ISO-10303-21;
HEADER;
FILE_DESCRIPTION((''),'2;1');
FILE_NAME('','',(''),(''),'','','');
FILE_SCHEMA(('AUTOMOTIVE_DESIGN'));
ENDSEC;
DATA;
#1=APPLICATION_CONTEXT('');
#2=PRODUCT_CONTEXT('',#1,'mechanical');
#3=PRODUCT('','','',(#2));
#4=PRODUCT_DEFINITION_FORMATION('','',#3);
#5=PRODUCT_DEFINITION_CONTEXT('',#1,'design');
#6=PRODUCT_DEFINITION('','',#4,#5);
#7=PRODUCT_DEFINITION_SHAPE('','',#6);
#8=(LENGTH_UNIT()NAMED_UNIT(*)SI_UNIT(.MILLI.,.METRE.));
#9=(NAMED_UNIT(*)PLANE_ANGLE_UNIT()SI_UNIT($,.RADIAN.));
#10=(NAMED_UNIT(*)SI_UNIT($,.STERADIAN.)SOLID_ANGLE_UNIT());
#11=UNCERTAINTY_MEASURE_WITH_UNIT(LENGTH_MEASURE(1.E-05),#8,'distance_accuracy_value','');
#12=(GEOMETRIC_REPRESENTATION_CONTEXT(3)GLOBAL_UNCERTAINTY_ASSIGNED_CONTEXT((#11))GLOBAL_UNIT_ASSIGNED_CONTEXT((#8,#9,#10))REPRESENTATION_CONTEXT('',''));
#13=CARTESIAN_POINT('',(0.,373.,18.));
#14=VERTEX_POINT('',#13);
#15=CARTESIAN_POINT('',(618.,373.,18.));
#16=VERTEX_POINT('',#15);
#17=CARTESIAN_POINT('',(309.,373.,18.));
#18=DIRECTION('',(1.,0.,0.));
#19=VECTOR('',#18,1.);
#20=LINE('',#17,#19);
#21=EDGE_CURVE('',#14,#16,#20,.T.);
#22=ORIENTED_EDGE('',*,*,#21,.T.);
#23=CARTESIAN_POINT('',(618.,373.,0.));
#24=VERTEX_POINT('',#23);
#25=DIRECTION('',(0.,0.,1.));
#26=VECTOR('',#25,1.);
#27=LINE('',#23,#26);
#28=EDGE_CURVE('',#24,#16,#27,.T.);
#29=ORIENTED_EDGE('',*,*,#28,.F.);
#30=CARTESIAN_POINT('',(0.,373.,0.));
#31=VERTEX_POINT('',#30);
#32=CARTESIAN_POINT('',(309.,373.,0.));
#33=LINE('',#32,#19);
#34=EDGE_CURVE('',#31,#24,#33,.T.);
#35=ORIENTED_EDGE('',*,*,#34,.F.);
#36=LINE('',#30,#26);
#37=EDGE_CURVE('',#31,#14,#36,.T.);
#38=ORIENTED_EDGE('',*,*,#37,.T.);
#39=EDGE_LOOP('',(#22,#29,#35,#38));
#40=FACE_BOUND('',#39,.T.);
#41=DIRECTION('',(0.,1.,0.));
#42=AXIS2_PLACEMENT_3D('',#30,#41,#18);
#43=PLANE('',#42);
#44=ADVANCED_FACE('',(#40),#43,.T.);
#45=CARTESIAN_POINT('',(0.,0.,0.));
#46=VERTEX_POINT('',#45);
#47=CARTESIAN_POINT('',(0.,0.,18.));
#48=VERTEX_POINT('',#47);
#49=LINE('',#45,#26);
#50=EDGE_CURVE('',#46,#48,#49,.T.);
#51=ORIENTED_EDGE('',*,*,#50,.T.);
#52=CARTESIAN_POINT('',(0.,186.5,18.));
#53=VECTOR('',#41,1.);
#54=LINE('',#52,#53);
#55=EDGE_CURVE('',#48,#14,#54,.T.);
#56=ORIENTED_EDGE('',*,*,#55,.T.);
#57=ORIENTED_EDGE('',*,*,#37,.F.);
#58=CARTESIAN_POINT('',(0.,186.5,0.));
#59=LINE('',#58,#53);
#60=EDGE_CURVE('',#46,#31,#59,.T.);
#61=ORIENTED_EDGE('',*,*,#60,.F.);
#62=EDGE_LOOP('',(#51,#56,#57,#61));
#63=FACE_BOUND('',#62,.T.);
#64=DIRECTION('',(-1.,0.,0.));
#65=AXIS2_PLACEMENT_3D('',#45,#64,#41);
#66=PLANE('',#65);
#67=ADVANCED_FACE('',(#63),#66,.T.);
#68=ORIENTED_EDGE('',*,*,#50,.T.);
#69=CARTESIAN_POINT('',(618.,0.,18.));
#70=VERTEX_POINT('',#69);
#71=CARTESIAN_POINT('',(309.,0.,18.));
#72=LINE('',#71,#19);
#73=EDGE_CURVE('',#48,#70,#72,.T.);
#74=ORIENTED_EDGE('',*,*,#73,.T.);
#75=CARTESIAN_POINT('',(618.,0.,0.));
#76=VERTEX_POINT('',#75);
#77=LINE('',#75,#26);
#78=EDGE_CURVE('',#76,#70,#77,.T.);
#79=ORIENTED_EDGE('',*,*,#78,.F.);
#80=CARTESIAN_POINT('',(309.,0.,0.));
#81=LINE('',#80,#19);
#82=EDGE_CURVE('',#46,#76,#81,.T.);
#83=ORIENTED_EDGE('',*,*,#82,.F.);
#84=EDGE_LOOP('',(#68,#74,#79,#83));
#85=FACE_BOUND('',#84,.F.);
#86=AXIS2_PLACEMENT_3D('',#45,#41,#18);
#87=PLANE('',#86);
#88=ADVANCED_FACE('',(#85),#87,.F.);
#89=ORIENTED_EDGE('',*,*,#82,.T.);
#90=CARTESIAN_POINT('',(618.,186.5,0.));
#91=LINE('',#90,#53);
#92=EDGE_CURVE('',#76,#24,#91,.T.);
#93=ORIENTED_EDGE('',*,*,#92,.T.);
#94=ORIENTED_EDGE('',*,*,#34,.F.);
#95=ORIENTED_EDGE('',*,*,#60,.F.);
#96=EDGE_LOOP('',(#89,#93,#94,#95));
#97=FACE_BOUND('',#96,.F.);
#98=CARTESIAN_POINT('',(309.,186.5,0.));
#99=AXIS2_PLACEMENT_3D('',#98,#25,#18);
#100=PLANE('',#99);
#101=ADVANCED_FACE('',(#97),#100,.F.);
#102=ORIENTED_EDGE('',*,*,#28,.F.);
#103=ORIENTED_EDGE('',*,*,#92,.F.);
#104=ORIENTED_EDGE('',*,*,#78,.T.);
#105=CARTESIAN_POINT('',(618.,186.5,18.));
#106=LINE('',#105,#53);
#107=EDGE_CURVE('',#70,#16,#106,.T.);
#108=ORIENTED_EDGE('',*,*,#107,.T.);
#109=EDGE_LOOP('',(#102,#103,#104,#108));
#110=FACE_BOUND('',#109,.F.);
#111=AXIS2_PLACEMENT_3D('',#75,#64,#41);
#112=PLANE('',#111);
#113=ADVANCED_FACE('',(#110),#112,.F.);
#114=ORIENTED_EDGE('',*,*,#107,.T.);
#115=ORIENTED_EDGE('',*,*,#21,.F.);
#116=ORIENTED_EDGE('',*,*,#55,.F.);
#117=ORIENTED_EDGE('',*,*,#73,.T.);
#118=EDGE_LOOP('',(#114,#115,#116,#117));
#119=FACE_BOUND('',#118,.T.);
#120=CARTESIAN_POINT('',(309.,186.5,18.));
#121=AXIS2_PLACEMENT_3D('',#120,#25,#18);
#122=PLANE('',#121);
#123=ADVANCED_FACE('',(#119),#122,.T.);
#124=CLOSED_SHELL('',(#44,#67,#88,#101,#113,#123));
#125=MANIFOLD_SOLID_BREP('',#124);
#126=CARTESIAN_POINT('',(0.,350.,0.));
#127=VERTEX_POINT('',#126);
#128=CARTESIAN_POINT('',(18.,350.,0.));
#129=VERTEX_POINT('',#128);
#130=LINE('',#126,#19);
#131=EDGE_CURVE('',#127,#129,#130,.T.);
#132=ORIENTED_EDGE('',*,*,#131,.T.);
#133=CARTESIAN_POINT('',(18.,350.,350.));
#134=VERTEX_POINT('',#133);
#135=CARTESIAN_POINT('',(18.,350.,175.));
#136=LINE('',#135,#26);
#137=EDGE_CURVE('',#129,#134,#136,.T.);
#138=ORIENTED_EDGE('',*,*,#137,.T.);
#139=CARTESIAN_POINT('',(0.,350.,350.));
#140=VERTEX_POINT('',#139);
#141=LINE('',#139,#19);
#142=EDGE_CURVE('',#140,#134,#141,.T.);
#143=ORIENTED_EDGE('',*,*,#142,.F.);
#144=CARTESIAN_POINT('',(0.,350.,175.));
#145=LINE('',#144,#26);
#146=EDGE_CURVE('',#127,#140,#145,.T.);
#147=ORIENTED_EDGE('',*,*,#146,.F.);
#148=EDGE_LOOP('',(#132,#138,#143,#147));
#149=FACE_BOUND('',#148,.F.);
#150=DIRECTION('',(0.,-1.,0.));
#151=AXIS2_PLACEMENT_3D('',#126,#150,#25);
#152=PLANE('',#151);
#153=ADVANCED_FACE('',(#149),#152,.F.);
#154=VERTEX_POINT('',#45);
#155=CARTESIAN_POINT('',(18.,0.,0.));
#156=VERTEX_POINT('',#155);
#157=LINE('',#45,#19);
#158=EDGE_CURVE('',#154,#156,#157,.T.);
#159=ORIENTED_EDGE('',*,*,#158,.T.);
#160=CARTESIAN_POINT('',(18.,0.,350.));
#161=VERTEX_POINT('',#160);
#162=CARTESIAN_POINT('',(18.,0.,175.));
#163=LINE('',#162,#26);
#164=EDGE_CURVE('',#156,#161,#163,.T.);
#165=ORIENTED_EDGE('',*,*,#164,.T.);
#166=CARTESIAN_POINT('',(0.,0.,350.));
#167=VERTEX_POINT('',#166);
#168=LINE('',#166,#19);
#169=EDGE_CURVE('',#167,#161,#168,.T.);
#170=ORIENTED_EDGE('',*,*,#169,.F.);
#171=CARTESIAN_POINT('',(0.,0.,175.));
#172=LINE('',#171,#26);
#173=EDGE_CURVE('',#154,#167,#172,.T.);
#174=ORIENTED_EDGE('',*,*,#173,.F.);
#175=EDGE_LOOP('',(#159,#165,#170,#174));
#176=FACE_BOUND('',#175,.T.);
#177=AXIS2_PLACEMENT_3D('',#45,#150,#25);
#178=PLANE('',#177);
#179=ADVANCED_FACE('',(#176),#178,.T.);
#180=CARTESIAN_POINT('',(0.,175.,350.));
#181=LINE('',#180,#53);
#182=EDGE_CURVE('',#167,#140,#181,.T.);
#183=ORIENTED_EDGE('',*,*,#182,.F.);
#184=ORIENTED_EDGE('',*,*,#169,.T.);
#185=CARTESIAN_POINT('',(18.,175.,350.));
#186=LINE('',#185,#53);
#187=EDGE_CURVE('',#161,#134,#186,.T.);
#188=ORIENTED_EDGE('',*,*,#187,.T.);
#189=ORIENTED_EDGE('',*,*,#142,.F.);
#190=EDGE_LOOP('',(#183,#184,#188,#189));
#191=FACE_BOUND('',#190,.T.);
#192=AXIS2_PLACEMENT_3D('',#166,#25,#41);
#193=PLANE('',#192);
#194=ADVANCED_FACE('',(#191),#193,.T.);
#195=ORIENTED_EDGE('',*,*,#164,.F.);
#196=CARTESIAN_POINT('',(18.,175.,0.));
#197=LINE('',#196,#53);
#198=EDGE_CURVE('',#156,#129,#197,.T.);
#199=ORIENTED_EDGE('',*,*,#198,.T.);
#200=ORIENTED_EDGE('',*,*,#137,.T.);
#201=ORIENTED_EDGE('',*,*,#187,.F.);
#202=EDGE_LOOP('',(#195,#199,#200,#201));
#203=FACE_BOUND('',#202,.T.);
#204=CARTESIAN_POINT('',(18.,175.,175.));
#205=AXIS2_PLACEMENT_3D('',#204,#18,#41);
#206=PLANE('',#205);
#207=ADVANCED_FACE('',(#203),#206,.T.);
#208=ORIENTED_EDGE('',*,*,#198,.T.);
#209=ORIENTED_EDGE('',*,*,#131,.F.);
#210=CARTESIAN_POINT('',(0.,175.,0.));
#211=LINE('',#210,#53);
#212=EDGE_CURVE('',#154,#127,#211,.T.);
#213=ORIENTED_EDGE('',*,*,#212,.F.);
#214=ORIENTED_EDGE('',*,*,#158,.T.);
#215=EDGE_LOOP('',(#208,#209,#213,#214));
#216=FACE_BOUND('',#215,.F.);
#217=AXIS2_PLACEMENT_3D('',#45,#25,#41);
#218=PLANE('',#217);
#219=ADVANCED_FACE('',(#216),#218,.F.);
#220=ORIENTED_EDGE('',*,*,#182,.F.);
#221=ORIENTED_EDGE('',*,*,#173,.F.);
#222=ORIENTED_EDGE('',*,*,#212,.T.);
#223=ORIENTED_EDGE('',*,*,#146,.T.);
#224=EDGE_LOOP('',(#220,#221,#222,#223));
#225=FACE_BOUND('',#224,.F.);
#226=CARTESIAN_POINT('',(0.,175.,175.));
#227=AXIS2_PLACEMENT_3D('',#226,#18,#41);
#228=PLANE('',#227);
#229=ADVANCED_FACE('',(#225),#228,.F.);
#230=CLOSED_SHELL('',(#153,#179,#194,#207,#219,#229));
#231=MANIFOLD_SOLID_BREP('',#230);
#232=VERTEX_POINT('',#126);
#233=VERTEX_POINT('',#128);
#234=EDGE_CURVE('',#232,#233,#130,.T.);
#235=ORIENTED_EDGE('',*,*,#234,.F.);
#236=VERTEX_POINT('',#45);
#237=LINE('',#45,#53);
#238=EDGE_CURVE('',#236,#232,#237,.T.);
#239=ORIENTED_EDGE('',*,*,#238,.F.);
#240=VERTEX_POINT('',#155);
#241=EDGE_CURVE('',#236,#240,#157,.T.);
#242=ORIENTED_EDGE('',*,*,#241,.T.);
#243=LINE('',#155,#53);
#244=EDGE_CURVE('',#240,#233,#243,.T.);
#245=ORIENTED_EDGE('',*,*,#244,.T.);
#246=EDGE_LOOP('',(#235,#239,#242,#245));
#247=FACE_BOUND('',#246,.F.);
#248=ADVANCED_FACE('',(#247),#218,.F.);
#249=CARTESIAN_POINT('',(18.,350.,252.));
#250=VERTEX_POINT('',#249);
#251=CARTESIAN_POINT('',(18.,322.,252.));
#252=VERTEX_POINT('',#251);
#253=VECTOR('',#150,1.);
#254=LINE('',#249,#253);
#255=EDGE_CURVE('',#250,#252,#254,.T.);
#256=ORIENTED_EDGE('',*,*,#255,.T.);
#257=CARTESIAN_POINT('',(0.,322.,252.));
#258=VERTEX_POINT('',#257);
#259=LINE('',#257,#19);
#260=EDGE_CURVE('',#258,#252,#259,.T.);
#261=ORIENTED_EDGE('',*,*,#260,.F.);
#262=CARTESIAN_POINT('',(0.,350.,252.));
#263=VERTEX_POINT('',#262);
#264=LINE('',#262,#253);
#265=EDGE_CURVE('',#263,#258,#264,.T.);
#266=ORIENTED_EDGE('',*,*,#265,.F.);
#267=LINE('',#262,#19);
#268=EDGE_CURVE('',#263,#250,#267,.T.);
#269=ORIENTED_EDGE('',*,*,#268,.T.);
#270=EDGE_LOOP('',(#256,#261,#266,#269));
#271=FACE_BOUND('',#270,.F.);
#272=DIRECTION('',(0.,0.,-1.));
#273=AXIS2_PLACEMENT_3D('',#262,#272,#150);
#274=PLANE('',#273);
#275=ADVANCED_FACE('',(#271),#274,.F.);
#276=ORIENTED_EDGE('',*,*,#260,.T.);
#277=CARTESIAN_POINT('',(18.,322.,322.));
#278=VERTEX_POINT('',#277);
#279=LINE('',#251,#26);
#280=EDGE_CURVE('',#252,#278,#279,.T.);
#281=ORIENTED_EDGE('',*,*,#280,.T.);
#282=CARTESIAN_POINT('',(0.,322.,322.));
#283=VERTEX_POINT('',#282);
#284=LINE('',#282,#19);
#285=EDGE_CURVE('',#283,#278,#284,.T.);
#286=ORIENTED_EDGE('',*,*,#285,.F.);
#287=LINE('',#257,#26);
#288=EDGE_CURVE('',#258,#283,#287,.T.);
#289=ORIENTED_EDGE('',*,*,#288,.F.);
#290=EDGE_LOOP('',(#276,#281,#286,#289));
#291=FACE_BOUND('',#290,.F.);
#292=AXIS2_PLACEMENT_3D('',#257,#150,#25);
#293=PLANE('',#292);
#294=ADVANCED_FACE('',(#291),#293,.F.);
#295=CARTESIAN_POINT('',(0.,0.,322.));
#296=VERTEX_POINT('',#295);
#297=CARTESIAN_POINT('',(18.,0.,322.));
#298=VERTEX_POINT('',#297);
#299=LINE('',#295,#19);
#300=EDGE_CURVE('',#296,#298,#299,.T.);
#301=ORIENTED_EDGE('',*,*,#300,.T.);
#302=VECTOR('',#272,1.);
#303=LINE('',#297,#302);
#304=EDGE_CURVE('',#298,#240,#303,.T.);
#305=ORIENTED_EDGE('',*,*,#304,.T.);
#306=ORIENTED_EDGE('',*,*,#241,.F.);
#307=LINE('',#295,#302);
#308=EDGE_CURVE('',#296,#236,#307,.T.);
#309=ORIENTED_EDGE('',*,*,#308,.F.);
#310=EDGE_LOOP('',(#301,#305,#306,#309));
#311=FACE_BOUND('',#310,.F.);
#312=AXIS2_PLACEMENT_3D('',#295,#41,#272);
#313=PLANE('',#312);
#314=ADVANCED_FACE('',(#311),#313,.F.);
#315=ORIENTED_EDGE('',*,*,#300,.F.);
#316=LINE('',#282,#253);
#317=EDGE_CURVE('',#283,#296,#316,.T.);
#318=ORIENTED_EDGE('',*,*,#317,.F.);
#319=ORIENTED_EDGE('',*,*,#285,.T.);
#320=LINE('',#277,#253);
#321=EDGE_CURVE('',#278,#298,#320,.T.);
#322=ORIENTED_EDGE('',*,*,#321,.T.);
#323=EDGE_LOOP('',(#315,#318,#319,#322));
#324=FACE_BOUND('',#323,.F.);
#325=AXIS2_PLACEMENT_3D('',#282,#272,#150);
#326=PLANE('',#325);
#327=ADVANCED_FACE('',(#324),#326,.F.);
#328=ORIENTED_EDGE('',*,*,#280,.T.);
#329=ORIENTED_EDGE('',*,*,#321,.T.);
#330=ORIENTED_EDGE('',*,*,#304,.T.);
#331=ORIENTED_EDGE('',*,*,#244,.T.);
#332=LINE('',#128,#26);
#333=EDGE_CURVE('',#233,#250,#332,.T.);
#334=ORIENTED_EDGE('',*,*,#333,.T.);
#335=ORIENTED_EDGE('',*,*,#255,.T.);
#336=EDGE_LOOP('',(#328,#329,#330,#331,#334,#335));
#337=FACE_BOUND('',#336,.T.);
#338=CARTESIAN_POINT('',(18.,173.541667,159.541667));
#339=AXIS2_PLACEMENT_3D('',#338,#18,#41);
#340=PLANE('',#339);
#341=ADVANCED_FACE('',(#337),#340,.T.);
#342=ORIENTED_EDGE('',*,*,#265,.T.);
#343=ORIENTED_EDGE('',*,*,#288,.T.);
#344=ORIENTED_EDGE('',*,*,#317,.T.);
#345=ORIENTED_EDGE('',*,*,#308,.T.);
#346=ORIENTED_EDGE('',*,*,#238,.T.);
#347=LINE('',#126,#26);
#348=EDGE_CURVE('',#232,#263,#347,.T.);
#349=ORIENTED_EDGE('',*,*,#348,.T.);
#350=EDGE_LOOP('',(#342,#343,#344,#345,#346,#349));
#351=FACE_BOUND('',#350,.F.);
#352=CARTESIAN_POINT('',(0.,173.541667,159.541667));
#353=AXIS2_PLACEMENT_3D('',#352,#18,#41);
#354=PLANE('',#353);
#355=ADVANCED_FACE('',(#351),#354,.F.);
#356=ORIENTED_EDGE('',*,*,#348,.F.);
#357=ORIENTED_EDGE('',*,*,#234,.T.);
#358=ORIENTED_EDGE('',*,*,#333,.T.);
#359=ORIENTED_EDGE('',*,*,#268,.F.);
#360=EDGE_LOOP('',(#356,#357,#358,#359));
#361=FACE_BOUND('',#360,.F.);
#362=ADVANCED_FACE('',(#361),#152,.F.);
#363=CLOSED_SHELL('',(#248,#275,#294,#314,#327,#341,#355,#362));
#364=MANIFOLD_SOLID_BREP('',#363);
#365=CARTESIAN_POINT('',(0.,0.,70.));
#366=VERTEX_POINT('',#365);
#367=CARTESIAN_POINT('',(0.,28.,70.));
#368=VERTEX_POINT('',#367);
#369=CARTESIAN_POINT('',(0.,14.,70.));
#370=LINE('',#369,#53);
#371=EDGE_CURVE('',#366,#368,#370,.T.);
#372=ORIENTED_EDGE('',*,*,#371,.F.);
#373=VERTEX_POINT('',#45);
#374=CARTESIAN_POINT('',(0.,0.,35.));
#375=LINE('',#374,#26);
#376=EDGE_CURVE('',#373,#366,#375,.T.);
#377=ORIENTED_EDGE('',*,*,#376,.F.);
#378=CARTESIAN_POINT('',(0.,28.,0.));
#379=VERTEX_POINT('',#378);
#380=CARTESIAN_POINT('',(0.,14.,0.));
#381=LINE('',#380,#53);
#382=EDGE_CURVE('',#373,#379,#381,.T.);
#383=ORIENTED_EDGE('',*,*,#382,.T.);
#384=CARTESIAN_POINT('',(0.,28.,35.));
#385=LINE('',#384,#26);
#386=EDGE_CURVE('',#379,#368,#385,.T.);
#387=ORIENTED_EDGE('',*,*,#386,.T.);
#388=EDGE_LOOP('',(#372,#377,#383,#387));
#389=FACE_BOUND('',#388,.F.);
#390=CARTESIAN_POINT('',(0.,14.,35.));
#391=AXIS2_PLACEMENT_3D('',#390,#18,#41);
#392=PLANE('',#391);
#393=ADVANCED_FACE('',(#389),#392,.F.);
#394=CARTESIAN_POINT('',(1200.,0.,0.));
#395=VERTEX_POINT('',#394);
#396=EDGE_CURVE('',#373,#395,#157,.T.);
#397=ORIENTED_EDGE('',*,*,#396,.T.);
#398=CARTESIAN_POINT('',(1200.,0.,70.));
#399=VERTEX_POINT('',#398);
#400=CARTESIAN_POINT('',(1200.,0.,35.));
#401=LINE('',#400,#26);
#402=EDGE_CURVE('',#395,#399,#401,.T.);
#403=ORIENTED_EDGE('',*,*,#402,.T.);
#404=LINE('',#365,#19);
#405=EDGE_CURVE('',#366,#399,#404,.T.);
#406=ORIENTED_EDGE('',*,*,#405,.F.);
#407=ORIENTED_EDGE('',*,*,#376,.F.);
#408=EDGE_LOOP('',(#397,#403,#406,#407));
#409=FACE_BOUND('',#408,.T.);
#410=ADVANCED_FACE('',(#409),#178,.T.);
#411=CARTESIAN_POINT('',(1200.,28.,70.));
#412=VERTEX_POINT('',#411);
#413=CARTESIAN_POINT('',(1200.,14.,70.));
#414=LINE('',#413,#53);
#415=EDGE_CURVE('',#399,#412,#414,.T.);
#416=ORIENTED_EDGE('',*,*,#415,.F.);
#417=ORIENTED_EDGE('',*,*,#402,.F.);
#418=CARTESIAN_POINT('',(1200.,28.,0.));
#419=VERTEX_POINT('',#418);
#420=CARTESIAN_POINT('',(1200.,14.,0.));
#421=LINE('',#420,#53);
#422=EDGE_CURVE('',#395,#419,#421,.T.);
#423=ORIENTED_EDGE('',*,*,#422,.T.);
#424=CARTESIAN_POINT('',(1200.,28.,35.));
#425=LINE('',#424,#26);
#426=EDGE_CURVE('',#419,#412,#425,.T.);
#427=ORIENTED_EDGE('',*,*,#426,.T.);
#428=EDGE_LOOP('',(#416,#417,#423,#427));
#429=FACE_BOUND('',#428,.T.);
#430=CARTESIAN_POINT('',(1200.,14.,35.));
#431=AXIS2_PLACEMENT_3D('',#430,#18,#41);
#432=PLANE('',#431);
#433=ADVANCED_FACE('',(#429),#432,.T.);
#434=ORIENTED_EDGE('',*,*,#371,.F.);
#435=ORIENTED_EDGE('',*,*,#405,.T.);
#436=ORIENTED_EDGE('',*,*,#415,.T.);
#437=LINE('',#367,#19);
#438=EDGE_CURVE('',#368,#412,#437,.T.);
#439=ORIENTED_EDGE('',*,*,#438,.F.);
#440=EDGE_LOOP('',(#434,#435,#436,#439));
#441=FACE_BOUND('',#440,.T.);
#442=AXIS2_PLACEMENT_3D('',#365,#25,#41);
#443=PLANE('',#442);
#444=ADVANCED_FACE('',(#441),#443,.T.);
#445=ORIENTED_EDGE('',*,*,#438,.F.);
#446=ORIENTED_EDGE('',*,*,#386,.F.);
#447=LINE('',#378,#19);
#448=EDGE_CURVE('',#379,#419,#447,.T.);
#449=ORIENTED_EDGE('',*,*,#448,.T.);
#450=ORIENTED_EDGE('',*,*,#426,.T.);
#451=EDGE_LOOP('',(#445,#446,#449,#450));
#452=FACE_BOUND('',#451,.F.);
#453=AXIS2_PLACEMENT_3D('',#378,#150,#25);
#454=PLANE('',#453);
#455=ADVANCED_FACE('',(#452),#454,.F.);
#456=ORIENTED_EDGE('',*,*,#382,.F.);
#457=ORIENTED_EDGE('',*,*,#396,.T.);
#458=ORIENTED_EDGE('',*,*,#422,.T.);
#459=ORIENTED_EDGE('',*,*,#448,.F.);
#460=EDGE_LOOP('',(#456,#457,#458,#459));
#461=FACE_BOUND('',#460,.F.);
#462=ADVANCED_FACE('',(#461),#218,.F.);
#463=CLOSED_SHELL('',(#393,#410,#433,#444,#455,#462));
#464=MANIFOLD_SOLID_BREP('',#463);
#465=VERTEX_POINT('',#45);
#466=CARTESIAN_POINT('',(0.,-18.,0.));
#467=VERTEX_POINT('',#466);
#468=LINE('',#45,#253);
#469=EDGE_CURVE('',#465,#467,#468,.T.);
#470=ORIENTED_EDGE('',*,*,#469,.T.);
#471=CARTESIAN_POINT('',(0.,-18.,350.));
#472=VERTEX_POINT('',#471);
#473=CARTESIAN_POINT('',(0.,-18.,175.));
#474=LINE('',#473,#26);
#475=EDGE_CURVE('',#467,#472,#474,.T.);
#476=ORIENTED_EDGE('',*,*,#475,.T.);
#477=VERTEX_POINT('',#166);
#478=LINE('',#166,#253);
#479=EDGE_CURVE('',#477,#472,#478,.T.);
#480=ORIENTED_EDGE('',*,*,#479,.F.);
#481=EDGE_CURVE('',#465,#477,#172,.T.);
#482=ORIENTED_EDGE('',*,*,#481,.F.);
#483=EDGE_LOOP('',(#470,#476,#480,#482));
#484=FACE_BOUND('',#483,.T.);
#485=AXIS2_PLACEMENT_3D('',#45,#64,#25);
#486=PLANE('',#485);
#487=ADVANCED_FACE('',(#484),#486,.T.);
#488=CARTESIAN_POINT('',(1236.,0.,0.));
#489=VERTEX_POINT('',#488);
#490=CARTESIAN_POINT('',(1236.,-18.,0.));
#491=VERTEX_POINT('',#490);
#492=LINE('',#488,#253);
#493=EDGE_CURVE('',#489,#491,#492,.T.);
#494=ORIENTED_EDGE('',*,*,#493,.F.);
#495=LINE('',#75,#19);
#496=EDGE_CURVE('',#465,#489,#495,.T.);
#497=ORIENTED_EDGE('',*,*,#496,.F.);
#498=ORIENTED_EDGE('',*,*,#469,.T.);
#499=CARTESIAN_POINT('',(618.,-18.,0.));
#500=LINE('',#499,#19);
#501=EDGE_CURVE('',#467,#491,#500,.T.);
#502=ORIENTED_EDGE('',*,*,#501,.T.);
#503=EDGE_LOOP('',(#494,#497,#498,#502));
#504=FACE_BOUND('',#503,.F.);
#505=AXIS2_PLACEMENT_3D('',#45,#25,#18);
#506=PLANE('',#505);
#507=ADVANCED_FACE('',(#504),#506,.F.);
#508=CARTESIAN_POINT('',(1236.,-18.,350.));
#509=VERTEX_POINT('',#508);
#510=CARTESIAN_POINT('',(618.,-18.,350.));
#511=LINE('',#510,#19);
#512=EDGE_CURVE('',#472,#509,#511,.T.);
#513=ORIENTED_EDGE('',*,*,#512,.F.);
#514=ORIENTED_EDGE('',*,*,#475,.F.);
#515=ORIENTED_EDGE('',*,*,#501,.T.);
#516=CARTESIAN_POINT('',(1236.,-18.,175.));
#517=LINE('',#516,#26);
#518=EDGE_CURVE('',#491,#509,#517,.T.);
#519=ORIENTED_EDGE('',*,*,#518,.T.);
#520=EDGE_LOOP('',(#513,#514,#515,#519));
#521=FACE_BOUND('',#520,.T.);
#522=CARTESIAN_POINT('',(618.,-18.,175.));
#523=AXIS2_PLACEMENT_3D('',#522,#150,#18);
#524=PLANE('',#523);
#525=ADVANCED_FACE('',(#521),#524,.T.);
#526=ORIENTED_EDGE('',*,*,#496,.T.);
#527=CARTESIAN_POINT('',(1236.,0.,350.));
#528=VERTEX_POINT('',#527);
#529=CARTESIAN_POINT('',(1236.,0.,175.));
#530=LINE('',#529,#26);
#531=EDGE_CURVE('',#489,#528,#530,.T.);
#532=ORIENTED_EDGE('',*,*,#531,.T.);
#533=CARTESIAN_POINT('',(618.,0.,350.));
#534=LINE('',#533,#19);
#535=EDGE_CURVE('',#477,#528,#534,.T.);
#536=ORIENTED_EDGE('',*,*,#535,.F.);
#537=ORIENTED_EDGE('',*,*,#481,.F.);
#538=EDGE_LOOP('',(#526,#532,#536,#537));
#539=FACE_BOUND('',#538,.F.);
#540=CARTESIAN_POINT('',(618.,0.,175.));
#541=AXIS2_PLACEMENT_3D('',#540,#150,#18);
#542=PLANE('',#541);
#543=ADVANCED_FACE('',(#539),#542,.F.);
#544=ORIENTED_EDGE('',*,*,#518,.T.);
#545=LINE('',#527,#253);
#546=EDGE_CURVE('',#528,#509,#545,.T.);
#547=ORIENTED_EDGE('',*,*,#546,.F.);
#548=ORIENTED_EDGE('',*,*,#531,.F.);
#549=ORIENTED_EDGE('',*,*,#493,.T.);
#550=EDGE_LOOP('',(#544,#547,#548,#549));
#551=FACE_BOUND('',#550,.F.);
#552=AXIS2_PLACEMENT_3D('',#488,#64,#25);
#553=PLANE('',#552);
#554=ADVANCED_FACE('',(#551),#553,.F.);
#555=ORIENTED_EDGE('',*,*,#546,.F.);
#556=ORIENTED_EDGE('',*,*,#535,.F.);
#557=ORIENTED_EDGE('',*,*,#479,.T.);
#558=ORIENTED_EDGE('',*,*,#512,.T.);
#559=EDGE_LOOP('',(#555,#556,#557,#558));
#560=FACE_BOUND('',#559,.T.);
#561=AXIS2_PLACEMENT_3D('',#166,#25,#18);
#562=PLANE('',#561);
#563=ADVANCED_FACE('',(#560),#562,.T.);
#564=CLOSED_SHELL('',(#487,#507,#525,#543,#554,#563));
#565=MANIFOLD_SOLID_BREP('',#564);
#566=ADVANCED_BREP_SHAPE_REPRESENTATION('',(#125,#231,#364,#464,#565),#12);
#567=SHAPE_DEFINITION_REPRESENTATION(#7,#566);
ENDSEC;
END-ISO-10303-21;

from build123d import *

# Parameters (mm, degrees)
F1_W      = 350
F1_H      = 350
F2_DEPTH  = 18
F3_W      = 28
F3_H      = 70
F4_DEPTH  = 1200
F6_DEPTH  = 18
F7_W      = 1236
F7_H      = 350
F8_DEPTH  = 18
F9_W      = 618
F9_H      = 373
F10_DEPTH = 18


with BuildPart() as f2:
    # F1 (on Right) → F2 (new body)
    with BuildSketch(Plane.YZ):
        with Locations((175, 175)):
            Rectangle(F1_W, F1_H)
    extrude(amount=F2_DEPTH)


with BuildPart() as f4:
    # F3 (on Right) → F4 (new body)
    with BuildSketch(Plane.YZ):
        with Locations((14, 35)):
            Rectangle(F3_W, F3_H)
    extrude(amount=F4_DEPTH)


with BuildPart() as f6:
    # F5 (on Right) → F6 (new body)
    with BuildSketch(Plane.YZ):
        Polygon((0, 322), (0, 0), (350, 0), (350, 252), (322, 252), (322, 322), align=None)
    extrude(amount=F6_DEPTH)


with BuildPart() as f8:
    # F7 (on Front) → F8 (new body)
    with BuildSketch(Plane.XZ):
        with Locations((618, 175)):
            Rectangle(F7_W, F7_H)
    extrude(amount=F8_DEPTH)


with BuildPart() as f10:
    # F9 (on Top) → F10 (new body)
    with BuildSketch(Plane.XY):
        with Locations((309, 186.5)):
            Rectangle(F9_W, F9_H)
    extrude(amount=F10_DEPTH)


solid = Compound([f2.part, f4.part, f6.part, f8.part, f10.part])
